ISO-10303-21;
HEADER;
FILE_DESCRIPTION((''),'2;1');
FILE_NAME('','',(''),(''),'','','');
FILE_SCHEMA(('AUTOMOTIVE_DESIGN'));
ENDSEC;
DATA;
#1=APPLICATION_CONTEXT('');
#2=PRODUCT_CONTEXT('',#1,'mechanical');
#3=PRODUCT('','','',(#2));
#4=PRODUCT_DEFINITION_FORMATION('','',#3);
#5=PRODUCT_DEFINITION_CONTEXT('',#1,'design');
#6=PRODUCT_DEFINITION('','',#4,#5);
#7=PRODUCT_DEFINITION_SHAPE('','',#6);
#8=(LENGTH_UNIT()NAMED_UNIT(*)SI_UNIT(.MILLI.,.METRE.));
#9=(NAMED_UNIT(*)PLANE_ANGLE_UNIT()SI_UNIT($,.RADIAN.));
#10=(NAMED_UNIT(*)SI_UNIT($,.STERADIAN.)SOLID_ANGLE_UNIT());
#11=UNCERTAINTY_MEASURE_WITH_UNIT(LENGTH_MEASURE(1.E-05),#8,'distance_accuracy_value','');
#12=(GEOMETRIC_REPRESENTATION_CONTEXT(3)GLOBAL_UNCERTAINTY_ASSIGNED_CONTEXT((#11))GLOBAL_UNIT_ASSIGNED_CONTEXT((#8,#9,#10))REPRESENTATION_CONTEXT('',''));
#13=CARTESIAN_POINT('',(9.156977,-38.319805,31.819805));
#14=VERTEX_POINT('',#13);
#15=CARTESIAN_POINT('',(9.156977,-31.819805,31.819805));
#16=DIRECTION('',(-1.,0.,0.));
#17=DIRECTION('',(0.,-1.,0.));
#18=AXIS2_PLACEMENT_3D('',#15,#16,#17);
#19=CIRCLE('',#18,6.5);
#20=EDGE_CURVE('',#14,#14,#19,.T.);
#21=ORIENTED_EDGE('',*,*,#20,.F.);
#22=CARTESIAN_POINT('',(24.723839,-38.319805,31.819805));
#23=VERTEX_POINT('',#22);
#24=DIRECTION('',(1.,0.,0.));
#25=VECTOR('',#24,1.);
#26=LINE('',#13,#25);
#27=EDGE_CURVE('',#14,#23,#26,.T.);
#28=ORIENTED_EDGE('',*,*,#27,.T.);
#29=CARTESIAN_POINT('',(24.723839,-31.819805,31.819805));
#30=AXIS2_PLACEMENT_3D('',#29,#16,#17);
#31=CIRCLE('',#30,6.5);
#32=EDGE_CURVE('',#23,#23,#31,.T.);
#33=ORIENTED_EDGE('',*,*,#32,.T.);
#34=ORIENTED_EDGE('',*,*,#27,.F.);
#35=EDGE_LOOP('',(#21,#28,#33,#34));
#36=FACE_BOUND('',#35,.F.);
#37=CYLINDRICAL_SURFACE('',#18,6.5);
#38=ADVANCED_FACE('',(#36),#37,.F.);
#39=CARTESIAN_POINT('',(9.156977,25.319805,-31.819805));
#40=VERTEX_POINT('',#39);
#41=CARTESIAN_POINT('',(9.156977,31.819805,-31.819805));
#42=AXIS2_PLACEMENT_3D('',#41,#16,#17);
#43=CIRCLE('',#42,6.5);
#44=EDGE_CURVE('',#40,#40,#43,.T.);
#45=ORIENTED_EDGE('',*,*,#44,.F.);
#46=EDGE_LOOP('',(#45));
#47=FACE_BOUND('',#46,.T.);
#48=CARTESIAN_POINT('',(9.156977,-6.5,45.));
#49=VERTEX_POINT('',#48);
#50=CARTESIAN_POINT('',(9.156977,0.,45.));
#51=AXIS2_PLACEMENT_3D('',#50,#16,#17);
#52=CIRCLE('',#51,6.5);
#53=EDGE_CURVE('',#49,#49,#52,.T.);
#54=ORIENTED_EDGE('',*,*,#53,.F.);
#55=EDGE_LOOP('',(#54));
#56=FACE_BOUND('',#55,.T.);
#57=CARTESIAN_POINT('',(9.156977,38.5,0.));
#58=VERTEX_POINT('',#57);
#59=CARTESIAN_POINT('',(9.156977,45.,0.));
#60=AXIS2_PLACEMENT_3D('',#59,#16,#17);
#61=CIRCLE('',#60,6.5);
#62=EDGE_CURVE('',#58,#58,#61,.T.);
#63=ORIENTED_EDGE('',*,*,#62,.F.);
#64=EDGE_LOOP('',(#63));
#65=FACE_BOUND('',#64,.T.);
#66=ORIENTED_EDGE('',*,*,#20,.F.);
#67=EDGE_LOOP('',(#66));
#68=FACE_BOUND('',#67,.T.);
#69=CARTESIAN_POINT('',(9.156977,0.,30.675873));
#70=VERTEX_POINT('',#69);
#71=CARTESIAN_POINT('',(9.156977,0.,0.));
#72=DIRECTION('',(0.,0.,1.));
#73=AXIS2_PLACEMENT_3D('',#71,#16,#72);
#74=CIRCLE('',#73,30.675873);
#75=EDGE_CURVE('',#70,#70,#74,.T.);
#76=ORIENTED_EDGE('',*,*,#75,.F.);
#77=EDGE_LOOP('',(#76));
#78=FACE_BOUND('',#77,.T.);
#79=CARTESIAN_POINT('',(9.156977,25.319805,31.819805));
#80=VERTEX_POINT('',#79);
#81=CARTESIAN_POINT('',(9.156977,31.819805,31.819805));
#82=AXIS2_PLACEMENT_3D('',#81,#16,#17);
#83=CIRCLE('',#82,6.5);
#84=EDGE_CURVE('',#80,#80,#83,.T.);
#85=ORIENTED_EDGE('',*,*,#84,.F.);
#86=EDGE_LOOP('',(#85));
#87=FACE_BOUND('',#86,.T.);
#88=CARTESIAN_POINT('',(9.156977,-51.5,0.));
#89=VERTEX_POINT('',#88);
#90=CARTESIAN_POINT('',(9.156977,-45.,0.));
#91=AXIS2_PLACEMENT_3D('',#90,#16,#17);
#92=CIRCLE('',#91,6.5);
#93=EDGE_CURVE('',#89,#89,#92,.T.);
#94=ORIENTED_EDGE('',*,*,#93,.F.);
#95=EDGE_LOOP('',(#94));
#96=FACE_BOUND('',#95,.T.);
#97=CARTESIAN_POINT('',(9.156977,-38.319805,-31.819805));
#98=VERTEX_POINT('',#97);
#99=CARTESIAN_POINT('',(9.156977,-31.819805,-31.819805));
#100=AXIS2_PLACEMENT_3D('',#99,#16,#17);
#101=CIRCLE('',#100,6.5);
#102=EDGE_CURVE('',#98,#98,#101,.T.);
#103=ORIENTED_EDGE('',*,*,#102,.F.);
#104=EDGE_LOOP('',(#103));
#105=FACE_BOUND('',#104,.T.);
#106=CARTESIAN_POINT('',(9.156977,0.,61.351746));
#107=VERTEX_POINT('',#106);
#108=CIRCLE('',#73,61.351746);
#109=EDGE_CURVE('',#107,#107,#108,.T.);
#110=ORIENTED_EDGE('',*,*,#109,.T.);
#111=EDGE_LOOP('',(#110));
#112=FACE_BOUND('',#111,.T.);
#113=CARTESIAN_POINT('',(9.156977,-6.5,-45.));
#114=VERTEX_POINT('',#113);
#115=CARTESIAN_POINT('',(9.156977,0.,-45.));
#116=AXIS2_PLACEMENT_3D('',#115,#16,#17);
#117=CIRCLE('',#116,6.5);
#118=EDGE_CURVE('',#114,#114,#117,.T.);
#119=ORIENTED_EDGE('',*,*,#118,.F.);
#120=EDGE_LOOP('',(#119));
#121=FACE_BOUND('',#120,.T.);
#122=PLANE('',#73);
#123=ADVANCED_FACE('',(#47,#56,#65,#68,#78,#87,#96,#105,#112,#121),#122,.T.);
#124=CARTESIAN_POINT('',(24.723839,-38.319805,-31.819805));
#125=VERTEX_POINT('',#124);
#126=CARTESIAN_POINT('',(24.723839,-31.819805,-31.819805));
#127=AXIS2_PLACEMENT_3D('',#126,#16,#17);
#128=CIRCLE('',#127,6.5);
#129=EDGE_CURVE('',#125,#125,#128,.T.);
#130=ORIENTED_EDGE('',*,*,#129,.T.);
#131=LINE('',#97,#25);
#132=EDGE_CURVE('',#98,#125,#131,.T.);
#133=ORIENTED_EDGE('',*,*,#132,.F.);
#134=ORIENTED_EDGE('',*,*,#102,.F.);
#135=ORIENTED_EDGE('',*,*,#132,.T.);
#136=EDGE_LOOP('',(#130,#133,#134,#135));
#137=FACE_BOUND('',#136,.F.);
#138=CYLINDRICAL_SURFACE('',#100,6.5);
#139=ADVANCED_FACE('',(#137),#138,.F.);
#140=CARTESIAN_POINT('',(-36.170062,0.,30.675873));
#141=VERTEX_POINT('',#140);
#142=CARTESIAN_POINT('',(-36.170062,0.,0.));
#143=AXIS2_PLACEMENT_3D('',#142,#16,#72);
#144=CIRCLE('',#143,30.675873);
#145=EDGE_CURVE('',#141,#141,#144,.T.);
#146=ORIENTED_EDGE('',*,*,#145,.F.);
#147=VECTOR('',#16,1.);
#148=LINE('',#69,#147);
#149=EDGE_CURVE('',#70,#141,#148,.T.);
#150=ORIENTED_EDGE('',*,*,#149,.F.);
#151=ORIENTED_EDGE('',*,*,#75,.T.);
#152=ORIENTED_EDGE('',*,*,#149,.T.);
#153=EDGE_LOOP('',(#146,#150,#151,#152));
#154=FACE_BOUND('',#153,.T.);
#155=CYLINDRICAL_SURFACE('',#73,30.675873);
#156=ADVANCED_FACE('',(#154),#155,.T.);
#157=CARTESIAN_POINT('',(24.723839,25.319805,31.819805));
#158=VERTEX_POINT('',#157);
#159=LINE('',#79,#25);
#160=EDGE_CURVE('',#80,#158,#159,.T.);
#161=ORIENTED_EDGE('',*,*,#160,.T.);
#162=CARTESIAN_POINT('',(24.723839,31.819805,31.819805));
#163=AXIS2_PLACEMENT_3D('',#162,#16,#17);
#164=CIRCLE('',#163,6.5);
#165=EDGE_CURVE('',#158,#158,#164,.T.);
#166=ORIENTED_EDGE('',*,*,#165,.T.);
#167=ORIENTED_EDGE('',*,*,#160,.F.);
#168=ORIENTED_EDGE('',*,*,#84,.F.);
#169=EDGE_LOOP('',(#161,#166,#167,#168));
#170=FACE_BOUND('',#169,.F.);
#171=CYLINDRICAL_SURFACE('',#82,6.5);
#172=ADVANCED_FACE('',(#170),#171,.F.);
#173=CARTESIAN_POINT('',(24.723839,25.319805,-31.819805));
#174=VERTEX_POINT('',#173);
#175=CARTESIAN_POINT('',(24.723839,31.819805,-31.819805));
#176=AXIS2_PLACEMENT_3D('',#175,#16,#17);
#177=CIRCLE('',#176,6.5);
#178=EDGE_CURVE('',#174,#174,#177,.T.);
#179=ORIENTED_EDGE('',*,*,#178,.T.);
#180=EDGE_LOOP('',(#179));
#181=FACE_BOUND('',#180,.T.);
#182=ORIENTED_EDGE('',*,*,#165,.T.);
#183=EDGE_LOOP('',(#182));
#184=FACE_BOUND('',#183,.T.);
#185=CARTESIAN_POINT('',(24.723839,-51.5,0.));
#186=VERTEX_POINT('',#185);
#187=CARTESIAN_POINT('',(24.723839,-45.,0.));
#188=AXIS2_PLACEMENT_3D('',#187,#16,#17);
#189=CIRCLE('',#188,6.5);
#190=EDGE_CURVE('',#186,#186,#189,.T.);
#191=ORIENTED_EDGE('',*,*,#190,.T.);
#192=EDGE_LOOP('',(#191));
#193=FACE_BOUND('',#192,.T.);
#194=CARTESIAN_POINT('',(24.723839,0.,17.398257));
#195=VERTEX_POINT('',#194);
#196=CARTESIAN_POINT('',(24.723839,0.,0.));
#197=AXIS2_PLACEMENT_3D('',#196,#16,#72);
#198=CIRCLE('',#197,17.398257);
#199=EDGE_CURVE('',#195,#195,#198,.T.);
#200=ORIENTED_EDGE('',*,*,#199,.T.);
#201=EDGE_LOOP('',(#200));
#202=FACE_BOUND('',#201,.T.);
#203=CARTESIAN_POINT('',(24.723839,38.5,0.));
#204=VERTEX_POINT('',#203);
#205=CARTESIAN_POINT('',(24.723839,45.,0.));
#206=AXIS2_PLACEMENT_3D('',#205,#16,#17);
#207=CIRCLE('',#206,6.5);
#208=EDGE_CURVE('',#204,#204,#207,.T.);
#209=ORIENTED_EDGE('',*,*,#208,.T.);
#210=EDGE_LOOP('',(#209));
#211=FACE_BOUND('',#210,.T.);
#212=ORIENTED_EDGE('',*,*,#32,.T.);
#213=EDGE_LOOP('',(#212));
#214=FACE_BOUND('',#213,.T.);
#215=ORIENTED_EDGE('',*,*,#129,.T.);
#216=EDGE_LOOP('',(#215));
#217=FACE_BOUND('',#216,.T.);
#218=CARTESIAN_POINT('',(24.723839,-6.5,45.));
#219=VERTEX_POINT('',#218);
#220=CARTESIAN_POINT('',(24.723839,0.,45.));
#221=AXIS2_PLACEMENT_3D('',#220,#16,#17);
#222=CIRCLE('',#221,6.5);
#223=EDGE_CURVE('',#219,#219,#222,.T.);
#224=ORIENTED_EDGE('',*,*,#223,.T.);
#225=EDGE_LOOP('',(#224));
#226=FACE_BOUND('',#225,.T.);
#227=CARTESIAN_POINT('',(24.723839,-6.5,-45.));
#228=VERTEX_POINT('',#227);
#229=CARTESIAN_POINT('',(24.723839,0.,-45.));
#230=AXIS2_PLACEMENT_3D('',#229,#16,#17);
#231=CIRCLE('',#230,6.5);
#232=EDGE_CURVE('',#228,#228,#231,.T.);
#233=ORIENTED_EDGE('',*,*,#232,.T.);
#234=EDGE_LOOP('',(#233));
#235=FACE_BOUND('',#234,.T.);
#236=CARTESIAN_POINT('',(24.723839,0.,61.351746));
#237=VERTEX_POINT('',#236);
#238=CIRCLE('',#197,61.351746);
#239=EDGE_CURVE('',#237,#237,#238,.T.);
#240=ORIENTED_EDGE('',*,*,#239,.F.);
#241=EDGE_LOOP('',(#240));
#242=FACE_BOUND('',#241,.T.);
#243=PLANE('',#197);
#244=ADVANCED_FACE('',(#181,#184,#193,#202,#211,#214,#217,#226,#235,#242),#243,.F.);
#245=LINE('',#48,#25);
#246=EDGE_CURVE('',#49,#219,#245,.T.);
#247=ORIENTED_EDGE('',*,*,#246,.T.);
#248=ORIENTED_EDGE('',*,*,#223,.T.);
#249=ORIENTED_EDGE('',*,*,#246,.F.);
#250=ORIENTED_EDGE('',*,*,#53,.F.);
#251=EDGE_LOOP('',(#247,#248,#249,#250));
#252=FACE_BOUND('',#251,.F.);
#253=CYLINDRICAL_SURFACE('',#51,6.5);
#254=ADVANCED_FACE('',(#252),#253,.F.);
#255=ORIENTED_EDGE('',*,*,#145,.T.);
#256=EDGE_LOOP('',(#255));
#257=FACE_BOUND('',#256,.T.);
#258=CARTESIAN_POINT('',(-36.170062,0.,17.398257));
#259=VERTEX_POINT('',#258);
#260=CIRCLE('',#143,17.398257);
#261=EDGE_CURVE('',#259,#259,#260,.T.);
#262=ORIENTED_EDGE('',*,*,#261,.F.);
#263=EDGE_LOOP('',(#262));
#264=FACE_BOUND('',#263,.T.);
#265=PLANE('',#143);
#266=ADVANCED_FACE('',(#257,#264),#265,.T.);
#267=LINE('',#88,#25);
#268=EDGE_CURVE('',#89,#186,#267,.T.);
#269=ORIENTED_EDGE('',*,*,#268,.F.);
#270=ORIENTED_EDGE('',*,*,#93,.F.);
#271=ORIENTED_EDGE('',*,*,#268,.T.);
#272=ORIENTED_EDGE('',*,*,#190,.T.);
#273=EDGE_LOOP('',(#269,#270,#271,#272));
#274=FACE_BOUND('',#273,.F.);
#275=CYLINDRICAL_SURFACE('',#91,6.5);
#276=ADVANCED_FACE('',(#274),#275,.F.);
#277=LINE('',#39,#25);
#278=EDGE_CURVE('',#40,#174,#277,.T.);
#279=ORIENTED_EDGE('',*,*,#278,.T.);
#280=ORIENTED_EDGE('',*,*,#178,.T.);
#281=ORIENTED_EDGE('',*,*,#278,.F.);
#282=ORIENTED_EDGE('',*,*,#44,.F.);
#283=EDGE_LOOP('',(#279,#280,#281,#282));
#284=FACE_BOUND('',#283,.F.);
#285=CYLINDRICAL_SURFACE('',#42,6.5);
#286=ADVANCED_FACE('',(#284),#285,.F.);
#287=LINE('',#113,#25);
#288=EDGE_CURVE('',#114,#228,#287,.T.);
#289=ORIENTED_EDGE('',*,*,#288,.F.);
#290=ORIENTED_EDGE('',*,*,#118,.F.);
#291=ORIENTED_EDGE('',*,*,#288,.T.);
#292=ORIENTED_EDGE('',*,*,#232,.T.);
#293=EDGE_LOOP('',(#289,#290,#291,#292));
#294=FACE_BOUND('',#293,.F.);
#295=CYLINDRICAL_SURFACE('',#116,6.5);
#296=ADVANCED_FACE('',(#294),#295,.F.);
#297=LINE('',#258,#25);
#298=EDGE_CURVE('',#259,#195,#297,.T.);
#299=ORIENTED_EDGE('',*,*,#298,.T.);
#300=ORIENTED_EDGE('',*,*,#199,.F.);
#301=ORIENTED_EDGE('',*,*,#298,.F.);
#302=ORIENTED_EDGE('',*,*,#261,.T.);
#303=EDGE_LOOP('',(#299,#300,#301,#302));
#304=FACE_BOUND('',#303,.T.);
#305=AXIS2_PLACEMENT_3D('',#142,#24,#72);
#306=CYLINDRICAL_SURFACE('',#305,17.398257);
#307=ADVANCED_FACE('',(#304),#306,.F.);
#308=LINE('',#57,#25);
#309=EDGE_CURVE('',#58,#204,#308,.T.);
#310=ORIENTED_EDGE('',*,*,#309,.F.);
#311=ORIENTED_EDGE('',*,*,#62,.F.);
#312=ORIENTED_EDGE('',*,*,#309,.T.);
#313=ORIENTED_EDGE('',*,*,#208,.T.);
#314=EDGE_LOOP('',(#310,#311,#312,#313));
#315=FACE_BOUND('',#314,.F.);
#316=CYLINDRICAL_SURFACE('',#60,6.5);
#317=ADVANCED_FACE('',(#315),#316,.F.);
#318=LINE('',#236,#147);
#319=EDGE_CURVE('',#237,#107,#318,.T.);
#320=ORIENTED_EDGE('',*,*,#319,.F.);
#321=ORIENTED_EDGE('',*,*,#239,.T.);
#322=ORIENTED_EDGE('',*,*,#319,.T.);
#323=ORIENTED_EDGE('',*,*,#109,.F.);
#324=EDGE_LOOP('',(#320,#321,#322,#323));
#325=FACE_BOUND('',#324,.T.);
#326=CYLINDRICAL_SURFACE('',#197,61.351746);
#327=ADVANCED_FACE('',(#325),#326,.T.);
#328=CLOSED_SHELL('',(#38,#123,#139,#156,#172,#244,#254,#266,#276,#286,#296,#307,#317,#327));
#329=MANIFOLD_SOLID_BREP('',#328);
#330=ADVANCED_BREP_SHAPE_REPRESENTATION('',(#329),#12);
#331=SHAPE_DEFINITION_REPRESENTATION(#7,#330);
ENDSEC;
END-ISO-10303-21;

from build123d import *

# Parameters (mm, degrees)
F2_R     = 6.5
F3_DEPTH = 15.567862


with BuildPart() as f1:
    # F0 (on Front) → F1 (revolve)
    with BuildSketch(Plane.XZ):
        Polygon((-36.170062, 17.398257), (24.723839, 17.398257), (24.723839, 61.351746), (9.156977, 61.351746), (9.156977, 30.675873), (-36.170062, 30.675873), align=None)
    revolve(axis=Axis((-16.482558, 0, 0), (-1, 0, 0)))

    # F2 (on face) → F3 (cut, through all)
    with BuildSketch(Plane(origin=(9.156977, 0, 0), x_dir=(0, -1, 0), z_dir=(-1, 0, 0))):
        with Locations((0, 45)):
            Circle(F2_R)
        with Locations((-31.819805, 31.819805)):
            Circle(F2_R)
        with Locations((-45, 0)):
            Circle(F2_R)
        with Locations((-31.819805, -31.819805)):
            Circle(F2_R)
        with Locations((0, -45)):
            Circle(F2_R)
        with Locations((31.819805, -31.819805)):
            Circle(F2_R)
        with Locations((45, 0)):
            Circle(F2_R)
        with Locations((31.819805, 31.819805)):
            Circle(F2_R)
    extrude(amount=-F3_DEPTH, mode=Mode.SUBTRACT)


solid = f1.part
